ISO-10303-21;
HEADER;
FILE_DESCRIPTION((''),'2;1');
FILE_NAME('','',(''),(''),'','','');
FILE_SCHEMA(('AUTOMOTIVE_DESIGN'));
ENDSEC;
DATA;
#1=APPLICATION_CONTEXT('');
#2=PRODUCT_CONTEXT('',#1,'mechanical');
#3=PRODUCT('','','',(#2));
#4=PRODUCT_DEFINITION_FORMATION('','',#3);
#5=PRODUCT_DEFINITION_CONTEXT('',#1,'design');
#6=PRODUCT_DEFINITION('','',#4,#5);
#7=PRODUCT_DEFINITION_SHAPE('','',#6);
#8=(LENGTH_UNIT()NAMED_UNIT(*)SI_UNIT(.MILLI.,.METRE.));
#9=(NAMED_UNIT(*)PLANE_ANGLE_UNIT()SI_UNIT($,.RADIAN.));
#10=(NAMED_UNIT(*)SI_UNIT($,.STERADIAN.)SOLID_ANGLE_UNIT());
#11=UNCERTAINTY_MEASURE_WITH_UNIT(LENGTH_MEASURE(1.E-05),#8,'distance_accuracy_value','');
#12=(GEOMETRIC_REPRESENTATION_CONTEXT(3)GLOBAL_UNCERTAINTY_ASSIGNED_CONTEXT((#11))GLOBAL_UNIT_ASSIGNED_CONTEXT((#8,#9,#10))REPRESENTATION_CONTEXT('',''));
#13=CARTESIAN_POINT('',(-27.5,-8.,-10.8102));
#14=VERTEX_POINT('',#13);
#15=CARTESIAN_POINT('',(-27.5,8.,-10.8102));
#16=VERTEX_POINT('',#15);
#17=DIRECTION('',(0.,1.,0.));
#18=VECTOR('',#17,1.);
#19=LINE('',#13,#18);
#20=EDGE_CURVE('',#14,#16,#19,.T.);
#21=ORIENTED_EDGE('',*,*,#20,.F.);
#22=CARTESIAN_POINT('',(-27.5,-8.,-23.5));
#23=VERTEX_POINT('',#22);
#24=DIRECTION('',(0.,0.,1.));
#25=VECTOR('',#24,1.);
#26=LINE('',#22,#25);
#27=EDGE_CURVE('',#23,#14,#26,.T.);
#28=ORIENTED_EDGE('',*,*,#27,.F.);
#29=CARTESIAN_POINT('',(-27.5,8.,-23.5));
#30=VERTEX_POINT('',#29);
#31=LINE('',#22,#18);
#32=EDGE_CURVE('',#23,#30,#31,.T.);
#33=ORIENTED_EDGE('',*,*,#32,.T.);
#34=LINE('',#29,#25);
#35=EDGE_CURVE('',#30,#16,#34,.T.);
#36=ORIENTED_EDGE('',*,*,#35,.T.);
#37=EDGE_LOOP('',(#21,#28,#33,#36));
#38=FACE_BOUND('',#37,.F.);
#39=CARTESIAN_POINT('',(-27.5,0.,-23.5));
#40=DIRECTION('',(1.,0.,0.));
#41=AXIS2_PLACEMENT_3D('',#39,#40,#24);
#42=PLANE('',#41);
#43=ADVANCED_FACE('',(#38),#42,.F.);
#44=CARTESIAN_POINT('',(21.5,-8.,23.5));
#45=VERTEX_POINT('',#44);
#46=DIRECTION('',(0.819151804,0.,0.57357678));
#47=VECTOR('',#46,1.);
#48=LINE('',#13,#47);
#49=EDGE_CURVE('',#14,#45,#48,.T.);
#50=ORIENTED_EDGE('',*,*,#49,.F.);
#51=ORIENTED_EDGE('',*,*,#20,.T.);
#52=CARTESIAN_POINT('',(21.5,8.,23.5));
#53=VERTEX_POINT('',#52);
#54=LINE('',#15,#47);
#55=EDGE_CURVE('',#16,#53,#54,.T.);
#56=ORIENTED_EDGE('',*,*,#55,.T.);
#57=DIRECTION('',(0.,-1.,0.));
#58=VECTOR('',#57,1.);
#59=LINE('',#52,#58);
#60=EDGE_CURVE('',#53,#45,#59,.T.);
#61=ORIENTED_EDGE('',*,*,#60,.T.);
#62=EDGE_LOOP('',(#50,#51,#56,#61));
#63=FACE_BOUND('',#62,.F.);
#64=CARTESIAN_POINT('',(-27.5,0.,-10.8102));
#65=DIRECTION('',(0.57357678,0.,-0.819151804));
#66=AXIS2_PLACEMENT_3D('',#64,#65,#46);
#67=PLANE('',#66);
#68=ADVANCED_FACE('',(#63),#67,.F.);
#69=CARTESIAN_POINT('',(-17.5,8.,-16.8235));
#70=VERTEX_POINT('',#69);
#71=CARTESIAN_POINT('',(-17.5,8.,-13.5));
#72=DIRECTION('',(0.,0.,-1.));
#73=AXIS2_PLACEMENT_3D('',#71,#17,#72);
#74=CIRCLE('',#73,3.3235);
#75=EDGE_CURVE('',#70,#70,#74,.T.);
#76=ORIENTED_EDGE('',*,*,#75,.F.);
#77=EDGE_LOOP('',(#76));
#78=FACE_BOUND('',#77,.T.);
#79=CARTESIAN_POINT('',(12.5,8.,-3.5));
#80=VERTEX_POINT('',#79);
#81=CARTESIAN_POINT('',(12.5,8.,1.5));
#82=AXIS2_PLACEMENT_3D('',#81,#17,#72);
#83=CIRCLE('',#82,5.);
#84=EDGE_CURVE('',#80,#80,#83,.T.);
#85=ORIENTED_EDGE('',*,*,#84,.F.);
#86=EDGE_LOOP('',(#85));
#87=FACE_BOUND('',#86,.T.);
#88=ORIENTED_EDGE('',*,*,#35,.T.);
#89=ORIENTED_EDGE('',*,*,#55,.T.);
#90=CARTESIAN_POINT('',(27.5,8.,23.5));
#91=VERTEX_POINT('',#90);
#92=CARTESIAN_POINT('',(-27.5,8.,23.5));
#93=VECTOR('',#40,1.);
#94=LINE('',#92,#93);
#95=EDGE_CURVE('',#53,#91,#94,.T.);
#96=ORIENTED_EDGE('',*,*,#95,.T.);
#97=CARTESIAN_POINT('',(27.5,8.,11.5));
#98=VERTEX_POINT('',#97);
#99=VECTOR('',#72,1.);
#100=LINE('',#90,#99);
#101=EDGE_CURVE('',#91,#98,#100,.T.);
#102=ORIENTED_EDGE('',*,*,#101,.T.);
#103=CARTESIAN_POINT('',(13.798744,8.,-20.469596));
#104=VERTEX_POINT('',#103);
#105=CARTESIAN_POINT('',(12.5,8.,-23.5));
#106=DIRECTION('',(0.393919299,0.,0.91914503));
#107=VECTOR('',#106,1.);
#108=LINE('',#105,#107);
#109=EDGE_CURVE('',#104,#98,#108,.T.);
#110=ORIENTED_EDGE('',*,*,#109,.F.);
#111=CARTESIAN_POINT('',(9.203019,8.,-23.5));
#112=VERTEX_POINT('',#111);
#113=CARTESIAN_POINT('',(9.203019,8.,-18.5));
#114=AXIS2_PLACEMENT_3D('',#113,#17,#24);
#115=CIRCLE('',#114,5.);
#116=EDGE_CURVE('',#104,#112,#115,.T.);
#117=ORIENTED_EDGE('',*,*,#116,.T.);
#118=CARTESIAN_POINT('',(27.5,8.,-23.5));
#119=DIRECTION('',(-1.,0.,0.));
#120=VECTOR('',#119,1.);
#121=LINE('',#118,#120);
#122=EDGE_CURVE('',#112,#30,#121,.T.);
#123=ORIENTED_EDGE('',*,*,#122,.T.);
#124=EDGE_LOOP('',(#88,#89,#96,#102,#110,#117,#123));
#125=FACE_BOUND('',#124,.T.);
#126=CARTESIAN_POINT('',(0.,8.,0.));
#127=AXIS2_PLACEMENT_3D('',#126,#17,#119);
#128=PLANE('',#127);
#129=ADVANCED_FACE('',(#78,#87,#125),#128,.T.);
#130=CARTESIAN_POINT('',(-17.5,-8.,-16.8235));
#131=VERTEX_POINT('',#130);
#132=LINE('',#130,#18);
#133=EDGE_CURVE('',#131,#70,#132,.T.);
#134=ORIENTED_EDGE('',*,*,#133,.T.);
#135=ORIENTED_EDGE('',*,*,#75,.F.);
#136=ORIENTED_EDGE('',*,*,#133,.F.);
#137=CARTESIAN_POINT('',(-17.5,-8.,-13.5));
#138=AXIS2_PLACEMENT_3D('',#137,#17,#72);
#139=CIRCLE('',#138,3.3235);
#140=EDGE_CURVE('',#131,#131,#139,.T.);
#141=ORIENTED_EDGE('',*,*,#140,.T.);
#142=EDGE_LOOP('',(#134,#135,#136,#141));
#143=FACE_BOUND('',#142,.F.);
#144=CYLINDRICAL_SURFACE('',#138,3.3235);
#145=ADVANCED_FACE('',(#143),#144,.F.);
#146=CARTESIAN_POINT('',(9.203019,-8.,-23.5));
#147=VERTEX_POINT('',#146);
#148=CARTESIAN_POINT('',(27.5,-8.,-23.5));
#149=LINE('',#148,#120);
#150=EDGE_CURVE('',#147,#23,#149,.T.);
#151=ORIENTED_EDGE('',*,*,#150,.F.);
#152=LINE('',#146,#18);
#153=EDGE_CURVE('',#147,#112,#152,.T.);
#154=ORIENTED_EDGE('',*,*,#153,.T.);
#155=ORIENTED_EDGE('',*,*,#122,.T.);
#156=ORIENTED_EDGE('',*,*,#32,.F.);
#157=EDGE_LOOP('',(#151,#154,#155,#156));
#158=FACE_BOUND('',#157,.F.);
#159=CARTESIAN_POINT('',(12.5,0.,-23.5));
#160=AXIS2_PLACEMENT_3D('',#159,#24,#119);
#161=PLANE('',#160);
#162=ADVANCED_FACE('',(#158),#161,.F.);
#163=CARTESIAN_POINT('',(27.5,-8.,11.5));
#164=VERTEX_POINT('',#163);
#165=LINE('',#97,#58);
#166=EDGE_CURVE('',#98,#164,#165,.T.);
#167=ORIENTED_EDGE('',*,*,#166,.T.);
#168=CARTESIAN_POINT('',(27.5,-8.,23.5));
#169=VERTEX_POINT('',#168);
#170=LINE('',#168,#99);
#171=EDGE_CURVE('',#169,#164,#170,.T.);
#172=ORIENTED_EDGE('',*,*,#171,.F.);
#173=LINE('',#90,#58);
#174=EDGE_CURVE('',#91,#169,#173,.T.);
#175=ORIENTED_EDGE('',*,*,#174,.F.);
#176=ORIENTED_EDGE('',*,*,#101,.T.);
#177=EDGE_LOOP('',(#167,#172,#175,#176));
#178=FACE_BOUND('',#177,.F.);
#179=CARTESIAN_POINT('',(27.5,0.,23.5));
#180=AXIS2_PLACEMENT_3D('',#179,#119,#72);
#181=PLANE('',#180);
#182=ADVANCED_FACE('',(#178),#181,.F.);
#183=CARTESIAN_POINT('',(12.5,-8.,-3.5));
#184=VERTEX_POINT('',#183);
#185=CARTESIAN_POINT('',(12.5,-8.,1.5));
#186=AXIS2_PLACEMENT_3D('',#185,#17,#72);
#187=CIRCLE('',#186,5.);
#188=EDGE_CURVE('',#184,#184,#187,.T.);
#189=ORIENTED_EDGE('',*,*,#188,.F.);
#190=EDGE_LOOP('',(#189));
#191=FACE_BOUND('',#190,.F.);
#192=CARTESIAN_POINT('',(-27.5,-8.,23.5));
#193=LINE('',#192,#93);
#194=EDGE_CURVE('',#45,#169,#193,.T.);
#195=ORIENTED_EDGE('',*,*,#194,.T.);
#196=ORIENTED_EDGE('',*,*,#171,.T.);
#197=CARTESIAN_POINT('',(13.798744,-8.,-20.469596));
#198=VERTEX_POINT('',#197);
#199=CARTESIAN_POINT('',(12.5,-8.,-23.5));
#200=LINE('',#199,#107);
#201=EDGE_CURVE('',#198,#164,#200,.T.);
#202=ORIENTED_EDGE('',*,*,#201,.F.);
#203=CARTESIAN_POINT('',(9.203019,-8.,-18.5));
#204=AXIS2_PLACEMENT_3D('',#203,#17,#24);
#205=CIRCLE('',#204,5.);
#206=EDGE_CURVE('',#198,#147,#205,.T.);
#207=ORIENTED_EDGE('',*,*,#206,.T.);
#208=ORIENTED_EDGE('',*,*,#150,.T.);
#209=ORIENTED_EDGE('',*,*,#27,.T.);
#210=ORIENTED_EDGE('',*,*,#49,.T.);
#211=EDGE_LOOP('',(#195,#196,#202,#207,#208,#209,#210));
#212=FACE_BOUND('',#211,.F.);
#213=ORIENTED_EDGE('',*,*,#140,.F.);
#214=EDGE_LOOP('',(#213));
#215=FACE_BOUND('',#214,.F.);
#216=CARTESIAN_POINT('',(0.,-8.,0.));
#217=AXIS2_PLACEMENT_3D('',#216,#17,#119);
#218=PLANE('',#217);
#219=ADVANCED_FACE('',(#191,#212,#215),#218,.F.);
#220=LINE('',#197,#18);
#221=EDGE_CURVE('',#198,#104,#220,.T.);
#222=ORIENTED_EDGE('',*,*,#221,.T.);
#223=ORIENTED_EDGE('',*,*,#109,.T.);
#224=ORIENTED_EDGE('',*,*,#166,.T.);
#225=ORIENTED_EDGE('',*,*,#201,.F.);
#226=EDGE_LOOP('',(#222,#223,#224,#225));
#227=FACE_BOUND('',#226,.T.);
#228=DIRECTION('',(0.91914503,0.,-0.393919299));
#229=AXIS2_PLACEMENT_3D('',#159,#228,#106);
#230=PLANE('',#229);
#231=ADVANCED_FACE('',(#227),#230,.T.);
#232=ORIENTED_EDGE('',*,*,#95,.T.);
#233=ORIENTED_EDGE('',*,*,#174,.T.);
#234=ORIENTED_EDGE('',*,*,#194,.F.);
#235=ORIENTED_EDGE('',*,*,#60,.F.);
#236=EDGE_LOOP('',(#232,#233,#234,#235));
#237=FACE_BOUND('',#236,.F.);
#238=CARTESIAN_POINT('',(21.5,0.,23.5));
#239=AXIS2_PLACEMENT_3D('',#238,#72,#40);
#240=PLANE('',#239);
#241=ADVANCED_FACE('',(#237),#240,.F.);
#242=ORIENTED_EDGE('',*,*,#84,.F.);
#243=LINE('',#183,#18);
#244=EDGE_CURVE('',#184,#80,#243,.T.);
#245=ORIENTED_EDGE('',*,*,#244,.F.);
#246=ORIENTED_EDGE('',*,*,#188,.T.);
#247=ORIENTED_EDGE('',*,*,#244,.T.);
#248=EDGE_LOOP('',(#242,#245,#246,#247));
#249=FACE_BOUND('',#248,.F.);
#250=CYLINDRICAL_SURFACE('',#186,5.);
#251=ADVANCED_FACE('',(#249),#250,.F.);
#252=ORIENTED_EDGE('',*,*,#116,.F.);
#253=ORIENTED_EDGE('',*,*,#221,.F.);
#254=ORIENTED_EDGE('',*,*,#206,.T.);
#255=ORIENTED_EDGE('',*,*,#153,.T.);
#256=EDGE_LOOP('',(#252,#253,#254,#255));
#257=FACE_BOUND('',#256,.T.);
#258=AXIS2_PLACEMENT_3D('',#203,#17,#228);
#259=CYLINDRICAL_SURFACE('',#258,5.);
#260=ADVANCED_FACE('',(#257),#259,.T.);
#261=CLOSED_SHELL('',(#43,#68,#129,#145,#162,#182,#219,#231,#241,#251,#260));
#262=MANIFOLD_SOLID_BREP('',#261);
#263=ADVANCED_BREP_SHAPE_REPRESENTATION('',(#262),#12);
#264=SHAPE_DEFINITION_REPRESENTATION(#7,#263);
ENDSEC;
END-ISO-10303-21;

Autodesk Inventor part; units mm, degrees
ref_plane "YZ Plane" through (0, 0, 0) normal (1, 0, 0) x (0, 1, 0)
ref_plane "XZ Plane" through (0, 0, 0) normal (0, 1, 0) x (-1, 0, 0)
ref_plane "XY Plane" through (0, 0, 0) normal (0, 0, 1) x (1, 0, 0)
sketch "Sketch2" plane through (0, 0, 0) normal (0, 1, 0) x (-1, 0, 0)
  line L0 (-27.5, -23.5) -> (27.5, -23.5)
  line L1 (27.5, -23.5) -> (27.5, 23.5)
  line L2 (27.5, 23.5) -> (-27.5, 23.5)
  line L3 (-27.5, 23.5) -> (-27.5, -23.5)
  line L4 (-27.5, -23.5) -> (27.5, 23.5) construction
  line L5 (27.5, -23.5) -> (-27.5, 23.5) construction
  line L6 (27.5, -10.8102) -> (-21.5, 23.5)
  line L7 (-12.5, -23.5) -> (-27.5, 11.5)
  point P0 (0, 0)
  dimension "d1" = 55
  dimension "d2" = 47
  dimension "d3" = 15
  dimension "d4" = 6
  dimension "d5" = 35
  dimension "d28" = 35
  dimension "d29" = 12.6898
extrude "Extrusion1" add sketch "Sketch2" along normal mid plane 16 contours L7 L3 L2 L6 L1 L0
sketch "Sketch3" plane through (0, -8, 0) normal (0, -1, 0) x (1, 0, 0)
  line L0 (-27.5, -23.5) -> (12.5, -23.5) projected
  line L1 (27.5, 11.5) -> (27.5, 23.5) projected
  point P0 (0, 0)
  point P1 (12.5, 1.5)
  dimension "d9" = 25
  dimension "d10" = 15
hole "Hole1" at (12.5, -8, 1.5) direction (0, 1, 0) diameter 10 end through all
sketch "Sketch4" plane through (0, -8, 0) normal (0, -1, 0) x (1, 0, 0)
  line L0 (-27.5, -23.5) -> (12.5, -23.5) projected
  line L1 (27.5, 11.5) -> (27.5, 23.5) projected
  point P0 (0, 0)
  point P1 (-17.5, -13.5)
  dimension "d18" = 10
  dimension "d19" = 45
hole "Hole2" at (-17.5, -8, -13.5) direction (0, 1, 0) diameter 6.647 end through all thread size "M8x1.25" class "6H" standard "TS profile"
fillet "Fillet1" radius 5 1 edges at (12.5, 0, -23.5)
properties part number "TL20240701-10100AT-003" material "MC NYLON"
